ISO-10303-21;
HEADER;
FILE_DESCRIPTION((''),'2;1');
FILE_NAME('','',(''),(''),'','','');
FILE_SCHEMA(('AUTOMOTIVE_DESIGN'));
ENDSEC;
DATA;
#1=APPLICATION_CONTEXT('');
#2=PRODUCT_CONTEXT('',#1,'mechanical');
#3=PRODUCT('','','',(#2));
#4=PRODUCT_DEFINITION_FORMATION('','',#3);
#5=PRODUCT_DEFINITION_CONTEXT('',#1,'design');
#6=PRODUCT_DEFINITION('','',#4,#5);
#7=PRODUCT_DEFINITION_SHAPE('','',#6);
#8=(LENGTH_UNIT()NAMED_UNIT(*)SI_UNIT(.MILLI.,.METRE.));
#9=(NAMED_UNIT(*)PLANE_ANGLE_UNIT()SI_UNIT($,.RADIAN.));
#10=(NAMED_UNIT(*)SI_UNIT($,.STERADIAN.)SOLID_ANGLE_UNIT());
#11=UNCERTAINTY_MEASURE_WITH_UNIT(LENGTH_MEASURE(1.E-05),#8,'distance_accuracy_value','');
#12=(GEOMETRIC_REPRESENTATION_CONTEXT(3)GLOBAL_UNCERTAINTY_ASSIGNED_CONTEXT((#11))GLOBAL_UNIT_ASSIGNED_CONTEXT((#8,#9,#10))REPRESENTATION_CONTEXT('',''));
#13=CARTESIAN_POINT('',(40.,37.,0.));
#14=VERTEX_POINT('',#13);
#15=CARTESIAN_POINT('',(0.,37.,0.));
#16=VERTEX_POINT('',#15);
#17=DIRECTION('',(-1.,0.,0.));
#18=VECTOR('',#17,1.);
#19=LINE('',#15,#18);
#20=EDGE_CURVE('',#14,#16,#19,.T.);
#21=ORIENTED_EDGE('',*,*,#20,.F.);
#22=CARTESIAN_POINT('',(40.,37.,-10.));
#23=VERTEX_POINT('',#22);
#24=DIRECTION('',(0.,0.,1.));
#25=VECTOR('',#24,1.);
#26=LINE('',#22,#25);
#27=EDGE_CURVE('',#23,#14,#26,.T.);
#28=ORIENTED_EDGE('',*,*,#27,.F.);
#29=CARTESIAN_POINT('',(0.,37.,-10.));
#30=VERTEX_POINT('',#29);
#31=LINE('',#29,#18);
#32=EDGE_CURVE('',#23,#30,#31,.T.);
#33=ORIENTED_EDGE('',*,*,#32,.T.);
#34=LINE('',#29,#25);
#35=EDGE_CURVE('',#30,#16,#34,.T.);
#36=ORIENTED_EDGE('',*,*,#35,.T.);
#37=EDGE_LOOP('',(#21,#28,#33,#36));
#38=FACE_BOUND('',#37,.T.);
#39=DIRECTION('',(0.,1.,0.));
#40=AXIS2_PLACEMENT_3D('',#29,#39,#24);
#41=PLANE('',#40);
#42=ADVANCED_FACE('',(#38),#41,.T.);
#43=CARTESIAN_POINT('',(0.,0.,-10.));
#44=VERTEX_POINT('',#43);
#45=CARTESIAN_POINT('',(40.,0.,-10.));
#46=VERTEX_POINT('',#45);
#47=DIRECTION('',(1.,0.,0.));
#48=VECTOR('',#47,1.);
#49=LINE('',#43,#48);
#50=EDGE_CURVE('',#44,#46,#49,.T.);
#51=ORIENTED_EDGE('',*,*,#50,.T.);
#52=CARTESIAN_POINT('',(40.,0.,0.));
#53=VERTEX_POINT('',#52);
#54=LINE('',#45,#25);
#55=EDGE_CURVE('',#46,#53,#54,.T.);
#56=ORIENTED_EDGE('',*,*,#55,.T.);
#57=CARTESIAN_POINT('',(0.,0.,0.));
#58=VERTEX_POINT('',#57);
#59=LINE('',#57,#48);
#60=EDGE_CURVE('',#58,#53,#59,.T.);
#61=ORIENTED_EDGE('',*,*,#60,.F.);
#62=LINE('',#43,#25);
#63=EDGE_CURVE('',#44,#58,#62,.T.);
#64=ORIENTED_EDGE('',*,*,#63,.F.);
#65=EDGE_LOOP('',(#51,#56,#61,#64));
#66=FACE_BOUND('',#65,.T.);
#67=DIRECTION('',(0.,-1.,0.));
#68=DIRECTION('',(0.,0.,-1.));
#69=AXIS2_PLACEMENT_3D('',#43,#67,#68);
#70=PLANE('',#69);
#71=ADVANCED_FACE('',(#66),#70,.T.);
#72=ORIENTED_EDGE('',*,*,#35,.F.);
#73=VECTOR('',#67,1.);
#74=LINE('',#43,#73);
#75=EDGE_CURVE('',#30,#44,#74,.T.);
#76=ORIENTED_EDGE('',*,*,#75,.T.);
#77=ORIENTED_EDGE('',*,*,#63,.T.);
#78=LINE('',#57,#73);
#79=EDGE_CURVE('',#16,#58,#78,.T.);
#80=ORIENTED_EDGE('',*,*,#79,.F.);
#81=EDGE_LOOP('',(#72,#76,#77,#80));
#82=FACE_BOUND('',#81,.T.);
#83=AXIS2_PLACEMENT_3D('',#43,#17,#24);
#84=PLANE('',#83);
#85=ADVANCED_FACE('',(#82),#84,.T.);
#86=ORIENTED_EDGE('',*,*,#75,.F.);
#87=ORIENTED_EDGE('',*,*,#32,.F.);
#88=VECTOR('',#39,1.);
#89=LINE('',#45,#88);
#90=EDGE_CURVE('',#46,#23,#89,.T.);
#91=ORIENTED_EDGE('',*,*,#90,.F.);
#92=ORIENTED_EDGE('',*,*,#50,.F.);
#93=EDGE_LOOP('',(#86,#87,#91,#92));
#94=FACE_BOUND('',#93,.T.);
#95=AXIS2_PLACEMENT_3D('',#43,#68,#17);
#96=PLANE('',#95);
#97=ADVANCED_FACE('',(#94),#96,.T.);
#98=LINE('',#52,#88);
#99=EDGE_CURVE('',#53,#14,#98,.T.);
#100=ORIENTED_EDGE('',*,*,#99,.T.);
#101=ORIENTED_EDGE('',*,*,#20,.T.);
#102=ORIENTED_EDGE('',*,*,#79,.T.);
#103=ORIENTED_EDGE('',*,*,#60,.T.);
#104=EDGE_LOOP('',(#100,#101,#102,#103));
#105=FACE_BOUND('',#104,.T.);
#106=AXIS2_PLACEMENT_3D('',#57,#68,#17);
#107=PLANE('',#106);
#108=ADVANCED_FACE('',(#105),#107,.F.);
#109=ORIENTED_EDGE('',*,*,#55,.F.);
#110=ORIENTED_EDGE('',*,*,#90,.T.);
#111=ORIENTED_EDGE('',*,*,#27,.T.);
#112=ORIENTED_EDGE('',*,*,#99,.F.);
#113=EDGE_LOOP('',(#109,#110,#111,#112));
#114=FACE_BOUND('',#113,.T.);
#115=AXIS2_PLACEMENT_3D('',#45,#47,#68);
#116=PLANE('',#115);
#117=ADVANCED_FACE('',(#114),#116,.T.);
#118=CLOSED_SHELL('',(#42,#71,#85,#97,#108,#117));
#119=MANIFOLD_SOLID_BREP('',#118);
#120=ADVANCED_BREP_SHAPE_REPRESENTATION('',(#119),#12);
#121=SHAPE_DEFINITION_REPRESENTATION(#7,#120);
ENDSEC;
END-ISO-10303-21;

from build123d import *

# Parameters (mm, degrees)
SKETCH1_W           = 40
SKETCH1_H           = 37
BOSS_EXTRUDE1_DEPTH = 10


with BuildPart() as part:
    # Sketch1 → Boss-Extrude1 (new body)
    with BuildSketch(Plane.XY):
        with Locations((20, 18.5)):
            Rectangle(SKETCH1_W, SKETCH1_H)
    extrude(amount=-BOSS_EXTRUDE1_DEPTH)


solid = part.part
